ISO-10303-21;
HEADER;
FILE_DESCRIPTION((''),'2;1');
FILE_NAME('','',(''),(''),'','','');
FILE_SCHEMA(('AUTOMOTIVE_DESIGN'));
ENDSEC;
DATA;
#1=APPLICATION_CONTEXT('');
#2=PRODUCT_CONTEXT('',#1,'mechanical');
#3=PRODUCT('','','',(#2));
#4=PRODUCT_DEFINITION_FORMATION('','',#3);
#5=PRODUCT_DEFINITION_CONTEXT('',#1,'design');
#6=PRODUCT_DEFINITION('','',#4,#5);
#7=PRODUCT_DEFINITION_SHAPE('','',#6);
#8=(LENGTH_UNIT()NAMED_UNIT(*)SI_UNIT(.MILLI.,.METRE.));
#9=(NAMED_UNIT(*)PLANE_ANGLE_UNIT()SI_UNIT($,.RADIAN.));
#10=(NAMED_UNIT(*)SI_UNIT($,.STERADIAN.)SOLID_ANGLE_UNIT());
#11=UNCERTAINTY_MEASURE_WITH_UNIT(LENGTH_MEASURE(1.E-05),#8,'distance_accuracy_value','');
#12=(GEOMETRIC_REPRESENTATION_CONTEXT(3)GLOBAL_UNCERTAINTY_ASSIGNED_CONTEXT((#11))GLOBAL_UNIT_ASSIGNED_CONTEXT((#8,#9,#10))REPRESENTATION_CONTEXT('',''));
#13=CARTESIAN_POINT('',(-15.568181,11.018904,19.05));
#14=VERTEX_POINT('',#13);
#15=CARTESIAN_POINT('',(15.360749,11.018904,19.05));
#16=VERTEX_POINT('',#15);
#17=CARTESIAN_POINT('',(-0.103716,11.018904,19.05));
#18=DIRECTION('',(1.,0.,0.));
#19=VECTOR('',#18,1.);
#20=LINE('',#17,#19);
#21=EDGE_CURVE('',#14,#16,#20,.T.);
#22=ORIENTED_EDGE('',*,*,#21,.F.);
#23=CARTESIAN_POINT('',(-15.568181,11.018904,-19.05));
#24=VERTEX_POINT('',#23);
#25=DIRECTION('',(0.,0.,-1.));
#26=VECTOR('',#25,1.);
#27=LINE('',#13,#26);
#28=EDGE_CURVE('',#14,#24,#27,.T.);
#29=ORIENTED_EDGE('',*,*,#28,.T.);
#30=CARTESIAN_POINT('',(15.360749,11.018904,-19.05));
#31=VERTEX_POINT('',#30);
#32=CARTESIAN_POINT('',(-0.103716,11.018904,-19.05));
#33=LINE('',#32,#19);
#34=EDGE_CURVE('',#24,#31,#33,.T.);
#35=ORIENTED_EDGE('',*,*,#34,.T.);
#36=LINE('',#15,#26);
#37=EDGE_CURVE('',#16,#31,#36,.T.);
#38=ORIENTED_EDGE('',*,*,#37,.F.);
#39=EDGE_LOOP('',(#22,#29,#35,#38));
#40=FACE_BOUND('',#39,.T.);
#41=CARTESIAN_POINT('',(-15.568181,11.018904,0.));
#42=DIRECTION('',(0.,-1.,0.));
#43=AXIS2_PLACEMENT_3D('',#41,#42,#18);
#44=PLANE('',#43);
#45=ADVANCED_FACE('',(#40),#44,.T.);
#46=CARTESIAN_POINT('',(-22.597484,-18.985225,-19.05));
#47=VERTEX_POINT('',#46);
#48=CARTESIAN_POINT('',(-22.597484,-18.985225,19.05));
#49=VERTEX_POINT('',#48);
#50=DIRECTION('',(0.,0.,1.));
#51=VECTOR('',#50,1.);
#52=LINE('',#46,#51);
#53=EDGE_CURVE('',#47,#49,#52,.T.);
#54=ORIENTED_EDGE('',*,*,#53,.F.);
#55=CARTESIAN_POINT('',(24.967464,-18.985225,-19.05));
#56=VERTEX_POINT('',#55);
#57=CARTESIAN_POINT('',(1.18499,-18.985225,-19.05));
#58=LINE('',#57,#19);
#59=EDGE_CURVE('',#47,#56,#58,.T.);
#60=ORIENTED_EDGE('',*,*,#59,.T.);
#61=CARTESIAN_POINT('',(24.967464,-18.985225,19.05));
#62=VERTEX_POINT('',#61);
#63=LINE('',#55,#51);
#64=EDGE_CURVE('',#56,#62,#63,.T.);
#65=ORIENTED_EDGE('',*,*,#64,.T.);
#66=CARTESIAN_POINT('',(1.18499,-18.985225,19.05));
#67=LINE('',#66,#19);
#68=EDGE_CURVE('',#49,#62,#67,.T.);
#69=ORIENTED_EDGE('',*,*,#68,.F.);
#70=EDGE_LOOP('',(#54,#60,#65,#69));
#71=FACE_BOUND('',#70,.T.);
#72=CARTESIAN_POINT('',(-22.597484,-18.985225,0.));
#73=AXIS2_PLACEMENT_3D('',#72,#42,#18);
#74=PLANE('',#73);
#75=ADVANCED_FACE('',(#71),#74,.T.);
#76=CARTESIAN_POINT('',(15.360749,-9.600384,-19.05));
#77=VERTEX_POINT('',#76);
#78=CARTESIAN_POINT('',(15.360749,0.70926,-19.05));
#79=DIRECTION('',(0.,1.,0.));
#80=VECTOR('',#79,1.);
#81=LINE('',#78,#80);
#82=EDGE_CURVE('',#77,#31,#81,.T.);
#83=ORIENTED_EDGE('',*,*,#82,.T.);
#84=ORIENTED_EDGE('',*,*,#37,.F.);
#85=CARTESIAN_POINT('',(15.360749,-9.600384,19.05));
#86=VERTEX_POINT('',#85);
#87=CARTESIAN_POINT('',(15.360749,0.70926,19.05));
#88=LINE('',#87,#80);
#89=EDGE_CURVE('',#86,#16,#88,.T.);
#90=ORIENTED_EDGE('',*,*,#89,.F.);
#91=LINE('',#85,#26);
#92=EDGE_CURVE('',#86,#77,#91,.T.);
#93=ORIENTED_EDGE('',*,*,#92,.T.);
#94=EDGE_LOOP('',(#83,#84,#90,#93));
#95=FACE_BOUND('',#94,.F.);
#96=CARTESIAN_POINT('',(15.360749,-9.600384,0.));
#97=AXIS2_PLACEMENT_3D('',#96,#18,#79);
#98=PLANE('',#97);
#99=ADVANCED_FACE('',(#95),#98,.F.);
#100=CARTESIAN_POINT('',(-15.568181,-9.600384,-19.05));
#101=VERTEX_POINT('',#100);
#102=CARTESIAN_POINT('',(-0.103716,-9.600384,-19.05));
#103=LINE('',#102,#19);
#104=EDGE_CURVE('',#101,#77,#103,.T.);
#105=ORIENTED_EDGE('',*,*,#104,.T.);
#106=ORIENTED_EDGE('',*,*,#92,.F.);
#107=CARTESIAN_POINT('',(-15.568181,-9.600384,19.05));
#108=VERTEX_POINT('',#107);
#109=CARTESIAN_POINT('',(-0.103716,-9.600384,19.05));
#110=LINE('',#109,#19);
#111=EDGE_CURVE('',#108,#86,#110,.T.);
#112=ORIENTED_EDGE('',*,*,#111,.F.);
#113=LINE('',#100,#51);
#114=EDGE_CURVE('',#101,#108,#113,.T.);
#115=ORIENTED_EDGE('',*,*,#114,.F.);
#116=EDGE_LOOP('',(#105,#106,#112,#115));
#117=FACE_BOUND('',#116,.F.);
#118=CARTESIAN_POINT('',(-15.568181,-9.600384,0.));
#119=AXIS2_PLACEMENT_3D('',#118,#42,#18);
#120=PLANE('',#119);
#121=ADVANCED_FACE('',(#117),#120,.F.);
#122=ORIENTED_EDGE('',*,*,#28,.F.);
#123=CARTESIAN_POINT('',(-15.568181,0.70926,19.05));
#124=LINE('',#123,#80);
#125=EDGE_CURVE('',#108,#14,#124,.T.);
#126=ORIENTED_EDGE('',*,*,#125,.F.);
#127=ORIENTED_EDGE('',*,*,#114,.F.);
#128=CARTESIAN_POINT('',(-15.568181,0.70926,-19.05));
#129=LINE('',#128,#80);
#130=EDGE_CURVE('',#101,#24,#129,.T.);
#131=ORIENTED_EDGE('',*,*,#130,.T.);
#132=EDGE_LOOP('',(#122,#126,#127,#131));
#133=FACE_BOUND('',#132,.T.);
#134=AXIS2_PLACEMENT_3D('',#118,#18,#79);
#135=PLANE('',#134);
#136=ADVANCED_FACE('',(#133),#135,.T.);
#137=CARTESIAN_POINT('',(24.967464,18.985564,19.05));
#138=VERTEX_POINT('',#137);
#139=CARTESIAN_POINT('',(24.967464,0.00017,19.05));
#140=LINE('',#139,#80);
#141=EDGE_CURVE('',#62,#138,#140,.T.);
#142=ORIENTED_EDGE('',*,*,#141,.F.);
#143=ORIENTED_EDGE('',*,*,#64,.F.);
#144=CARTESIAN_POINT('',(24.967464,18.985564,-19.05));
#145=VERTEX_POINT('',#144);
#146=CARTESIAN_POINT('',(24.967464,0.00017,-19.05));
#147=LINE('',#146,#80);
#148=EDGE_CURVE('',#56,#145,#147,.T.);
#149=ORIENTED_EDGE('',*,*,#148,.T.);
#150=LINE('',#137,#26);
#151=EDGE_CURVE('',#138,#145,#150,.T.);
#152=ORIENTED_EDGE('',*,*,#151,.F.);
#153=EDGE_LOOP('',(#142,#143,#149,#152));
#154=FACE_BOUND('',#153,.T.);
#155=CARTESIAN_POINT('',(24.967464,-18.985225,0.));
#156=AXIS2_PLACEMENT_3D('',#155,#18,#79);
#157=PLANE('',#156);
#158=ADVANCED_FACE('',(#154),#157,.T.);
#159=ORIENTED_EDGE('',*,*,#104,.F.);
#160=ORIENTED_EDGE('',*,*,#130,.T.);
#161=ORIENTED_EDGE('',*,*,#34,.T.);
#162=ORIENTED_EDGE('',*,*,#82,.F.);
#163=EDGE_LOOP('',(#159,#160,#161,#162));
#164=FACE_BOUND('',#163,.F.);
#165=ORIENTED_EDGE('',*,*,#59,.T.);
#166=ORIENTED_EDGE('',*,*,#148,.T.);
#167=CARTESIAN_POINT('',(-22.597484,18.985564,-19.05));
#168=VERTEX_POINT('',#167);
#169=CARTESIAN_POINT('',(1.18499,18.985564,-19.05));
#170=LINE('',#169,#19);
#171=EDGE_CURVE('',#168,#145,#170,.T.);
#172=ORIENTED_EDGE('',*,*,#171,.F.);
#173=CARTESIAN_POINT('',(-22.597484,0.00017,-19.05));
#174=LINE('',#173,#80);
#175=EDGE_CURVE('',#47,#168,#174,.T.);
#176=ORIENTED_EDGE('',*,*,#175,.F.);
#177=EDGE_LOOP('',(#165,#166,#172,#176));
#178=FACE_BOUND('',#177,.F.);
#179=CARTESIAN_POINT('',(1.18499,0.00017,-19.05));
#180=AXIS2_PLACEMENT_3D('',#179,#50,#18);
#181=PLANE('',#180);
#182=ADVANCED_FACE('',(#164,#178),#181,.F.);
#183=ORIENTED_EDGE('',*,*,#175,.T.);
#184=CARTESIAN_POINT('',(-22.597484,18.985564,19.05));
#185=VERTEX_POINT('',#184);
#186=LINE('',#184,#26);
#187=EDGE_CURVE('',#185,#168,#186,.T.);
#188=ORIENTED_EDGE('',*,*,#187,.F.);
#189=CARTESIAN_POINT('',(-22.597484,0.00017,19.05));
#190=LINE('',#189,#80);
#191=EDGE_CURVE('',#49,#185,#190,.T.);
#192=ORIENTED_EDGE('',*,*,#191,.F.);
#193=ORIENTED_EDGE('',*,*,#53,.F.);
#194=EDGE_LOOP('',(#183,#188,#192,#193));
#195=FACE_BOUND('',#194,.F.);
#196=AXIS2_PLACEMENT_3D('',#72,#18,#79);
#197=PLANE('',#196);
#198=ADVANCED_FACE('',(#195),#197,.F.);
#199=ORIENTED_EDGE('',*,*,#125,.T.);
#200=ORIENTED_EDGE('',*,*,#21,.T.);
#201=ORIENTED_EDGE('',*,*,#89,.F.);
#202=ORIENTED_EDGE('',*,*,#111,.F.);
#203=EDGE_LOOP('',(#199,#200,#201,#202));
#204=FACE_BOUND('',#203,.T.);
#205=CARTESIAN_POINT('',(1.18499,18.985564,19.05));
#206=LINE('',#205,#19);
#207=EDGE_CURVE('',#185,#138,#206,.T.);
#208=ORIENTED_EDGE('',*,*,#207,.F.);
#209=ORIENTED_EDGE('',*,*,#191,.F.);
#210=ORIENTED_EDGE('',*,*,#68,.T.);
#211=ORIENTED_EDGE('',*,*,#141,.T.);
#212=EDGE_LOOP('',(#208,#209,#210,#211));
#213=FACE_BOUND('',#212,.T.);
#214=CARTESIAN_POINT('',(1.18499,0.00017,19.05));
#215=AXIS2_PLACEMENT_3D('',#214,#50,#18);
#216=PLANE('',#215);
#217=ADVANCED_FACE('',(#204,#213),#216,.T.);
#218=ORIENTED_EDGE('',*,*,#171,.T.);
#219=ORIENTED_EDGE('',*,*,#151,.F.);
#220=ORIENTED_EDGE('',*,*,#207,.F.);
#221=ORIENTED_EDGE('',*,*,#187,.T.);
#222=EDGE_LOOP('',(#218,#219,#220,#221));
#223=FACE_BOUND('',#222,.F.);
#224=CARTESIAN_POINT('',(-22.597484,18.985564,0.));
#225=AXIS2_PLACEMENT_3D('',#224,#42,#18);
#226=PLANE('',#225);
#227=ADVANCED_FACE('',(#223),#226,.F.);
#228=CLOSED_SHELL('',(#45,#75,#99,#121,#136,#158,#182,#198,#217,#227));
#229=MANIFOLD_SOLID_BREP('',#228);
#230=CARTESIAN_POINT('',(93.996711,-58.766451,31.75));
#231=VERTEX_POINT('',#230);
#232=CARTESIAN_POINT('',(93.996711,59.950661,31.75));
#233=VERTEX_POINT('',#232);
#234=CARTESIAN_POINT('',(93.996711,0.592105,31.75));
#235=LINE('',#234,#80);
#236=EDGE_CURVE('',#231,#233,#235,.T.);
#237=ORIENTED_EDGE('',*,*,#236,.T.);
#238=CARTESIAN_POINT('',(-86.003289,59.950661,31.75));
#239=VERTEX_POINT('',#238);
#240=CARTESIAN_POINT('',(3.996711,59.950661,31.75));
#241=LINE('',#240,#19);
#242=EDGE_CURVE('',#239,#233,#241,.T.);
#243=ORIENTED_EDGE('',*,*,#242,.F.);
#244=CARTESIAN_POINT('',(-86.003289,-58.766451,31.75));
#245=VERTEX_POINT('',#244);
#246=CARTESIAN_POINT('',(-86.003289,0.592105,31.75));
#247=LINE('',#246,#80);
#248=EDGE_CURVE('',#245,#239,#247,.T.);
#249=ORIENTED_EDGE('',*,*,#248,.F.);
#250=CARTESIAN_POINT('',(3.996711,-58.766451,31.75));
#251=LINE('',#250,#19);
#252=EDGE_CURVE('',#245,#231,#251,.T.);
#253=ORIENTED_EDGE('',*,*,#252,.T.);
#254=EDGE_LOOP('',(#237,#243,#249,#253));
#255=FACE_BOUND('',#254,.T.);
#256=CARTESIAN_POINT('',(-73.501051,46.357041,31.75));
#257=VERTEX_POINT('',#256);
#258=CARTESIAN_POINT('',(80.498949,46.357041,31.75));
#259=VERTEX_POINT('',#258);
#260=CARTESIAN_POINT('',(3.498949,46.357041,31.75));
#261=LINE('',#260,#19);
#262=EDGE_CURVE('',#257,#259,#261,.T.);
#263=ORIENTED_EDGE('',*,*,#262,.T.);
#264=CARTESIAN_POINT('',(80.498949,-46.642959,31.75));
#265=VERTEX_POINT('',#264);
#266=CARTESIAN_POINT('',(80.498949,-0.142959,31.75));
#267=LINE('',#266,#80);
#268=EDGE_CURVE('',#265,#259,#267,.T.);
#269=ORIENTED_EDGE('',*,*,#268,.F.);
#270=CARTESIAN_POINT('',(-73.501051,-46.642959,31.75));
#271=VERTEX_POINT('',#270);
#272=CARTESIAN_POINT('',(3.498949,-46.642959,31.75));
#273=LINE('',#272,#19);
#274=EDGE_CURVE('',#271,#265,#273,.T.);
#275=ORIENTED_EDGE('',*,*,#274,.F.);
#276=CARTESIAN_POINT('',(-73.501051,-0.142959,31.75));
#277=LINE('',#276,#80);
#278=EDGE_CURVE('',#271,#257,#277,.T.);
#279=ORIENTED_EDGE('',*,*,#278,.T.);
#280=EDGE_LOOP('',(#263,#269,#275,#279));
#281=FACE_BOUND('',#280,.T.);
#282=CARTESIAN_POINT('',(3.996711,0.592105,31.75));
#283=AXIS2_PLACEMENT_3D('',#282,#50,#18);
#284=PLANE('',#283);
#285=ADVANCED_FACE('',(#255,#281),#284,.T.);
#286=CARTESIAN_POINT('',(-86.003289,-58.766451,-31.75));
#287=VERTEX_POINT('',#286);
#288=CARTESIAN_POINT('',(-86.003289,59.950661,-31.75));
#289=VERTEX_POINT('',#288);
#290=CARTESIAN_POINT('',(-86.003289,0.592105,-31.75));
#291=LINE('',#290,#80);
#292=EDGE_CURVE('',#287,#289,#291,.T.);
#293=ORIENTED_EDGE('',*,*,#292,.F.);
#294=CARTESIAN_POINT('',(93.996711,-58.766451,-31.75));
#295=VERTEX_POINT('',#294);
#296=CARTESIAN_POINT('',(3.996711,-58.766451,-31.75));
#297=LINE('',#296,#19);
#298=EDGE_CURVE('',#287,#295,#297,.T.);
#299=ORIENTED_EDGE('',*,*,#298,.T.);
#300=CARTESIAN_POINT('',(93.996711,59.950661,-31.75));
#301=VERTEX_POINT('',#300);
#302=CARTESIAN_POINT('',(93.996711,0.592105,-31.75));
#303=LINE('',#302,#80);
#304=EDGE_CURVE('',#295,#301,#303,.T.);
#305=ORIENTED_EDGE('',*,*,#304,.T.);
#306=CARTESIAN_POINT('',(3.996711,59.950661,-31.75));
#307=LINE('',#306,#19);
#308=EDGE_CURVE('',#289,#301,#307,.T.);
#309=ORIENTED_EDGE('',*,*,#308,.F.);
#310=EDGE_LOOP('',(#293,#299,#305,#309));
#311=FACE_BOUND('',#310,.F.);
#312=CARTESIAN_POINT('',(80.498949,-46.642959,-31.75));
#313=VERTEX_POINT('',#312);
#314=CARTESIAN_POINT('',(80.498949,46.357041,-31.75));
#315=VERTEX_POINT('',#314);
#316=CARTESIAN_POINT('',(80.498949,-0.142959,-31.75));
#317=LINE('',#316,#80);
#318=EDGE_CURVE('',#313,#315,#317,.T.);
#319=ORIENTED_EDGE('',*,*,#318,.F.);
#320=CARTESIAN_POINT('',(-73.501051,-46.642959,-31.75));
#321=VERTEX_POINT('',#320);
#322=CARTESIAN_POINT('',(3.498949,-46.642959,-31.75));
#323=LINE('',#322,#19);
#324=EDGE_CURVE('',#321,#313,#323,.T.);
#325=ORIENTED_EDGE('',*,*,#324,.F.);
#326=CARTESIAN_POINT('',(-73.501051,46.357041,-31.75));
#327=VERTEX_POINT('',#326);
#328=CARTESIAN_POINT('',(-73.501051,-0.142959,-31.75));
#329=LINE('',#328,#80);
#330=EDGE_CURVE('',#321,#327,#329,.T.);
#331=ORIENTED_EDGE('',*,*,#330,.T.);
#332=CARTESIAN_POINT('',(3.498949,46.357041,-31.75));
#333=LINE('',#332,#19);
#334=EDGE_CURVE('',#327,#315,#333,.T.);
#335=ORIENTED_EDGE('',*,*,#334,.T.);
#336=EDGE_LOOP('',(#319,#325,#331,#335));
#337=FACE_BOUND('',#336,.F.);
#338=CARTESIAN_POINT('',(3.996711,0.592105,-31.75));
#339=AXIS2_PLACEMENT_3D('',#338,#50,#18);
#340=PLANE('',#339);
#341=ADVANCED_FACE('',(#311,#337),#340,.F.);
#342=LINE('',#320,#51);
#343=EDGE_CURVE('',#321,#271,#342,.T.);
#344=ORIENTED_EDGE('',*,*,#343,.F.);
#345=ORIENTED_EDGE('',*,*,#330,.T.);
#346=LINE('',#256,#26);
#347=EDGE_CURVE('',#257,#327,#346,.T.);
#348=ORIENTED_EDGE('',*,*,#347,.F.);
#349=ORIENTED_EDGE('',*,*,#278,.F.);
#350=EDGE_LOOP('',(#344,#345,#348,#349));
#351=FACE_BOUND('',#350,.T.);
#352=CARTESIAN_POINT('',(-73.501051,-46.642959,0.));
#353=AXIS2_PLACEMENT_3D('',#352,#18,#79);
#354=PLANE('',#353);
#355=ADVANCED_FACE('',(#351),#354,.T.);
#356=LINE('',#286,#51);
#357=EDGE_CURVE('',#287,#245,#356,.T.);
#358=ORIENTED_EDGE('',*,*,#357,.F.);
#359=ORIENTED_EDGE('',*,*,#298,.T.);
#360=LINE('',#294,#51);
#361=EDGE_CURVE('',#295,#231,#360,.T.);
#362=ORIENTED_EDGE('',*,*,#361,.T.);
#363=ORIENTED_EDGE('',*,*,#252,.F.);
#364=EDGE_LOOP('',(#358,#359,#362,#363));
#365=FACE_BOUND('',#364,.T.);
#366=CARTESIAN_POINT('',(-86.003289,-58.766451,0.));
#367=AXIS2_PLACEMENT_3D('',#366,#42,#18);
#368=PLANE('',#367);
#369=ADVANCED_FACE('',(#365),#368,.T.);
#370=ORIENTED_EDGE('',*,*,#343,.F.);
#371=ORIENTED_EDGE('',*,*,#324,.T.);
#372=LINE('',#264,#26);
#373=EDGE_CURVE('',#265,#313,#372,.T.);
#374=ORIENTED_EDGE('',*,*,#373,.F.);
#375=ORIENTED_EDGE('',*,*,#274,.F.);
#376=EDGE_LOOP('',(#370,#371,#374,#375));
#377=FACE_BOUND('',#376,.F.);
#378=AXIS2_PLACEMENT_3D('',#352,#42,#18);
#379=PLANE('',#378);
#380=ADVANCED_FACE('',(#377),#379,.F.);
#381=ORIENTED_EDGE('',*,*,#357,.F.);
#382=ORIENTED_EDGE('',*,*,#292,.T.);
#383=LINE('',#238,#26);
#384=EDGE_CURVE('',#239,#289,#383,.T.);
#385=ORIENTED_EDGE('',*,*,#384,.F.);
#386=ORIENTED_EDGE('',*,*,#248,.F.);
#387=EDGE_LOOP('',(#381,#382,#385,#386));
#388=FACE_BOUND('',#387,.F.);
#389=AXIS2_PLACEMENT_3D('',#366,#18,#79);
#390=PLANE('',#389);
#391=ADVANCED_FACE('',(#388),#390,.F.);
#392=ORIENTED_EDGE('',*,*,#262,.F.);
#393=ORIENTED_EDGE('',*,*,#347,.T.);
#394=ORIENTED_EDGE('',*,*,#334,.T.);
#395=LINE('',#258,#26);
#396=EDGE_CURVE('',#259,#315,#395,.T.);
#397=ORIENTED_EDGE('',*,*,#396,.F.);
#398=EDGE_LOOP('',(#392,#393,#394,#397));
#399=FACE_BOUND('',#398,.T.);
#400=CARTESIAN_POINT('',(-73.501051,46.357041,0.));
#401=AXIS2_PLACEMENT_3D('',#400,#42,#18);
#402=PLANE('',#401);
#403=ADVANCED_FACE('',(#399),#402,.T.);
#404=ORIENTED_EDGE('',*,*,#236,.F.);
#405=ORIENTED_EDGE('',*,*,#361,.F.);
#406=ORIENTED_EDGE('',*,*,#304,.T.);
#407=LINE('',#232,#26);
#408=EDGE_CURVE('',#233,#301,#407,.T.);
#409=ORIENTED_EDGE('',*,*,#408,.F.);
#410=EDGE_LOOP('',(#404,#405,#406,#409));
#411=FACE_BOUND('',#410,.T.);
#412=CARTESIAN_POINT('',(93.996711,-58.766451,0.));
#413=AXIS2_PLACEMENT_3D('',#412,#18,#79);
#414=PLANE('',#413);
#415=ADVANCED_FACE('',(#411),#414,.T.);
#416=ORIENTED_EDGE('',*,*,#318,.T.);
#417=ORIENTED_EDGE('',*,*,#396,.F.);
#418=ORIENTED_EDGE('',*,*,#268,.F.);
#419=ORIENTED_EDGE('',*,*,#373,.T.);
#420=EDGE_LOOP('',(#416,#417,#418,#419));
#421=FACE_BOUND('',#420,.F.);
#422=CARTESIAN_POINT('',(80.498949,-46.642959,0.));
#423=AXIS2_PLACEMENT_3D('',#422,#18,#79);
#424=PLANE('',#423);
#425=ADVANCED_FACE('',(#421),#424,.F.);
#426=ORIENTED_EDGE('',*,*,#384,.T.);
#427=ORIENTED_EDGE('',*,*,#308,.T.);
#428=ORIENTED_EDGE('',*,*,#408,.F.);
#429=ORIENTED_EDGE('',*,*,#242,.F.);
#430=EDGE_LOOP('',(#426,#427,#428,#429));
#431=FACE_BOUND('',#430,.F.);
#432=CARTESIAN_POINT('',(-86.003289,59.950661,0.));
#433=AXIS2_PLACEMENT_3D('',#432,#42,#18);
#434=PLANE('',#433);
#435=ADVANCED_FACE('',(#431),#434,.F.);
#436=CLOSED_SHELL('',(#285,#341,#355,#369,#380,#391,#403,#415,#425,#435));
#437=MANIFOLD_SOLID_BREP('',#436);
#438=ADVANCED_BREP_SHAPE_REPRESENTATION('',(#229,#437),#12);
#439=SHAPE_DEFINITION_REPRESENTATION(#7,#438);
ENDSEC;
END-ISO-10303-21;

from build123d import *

# Parameters (mm, degrees)
F0_W     = 180
F0_H     = 118.717112
F0_W_2   = 154
F0_H_2   = 93
F1_DEPTH = 31.75
F0_W_3   = 47.564948
F0_H_3   = 37.970789
F0_W_4   = 30.92893
F0_H_4   = 20.619288
F2_DEPTH = 19.05


with BuildPart() as f1:
    # F0 (on Top) → F1 (new body, symmetric)
    with BuildSketch(Plane.XY):
        with Locations((3.996711, 0.592105)):
            Rectangle(F0_W, F0_H)
        with Locations((3.498949, -0.142959)):
            Rectangle(F0_W_2, F0_H_2, mode=Mode.SUBTRACT)
    extrude(amount=F1_DEPTH, both=True)


with BuildPart() as f2:
    # F0 (on Top) → F2 (new body, symmetric)
    with BuildSketch(Plane.XY):
        with Locations((1.18499, 0.00017)):
            Rectangle(F0_W_3, F0_H_3)
        with Locations((-0.103716, 0.70926)):
            Rectangle(F0_W_4, F0_H_4, mode=Mode.SUBTRACT)
    extrude(amount=F2_DEPTH, both=True)


solid = Compound([f1.part, f2.part])
